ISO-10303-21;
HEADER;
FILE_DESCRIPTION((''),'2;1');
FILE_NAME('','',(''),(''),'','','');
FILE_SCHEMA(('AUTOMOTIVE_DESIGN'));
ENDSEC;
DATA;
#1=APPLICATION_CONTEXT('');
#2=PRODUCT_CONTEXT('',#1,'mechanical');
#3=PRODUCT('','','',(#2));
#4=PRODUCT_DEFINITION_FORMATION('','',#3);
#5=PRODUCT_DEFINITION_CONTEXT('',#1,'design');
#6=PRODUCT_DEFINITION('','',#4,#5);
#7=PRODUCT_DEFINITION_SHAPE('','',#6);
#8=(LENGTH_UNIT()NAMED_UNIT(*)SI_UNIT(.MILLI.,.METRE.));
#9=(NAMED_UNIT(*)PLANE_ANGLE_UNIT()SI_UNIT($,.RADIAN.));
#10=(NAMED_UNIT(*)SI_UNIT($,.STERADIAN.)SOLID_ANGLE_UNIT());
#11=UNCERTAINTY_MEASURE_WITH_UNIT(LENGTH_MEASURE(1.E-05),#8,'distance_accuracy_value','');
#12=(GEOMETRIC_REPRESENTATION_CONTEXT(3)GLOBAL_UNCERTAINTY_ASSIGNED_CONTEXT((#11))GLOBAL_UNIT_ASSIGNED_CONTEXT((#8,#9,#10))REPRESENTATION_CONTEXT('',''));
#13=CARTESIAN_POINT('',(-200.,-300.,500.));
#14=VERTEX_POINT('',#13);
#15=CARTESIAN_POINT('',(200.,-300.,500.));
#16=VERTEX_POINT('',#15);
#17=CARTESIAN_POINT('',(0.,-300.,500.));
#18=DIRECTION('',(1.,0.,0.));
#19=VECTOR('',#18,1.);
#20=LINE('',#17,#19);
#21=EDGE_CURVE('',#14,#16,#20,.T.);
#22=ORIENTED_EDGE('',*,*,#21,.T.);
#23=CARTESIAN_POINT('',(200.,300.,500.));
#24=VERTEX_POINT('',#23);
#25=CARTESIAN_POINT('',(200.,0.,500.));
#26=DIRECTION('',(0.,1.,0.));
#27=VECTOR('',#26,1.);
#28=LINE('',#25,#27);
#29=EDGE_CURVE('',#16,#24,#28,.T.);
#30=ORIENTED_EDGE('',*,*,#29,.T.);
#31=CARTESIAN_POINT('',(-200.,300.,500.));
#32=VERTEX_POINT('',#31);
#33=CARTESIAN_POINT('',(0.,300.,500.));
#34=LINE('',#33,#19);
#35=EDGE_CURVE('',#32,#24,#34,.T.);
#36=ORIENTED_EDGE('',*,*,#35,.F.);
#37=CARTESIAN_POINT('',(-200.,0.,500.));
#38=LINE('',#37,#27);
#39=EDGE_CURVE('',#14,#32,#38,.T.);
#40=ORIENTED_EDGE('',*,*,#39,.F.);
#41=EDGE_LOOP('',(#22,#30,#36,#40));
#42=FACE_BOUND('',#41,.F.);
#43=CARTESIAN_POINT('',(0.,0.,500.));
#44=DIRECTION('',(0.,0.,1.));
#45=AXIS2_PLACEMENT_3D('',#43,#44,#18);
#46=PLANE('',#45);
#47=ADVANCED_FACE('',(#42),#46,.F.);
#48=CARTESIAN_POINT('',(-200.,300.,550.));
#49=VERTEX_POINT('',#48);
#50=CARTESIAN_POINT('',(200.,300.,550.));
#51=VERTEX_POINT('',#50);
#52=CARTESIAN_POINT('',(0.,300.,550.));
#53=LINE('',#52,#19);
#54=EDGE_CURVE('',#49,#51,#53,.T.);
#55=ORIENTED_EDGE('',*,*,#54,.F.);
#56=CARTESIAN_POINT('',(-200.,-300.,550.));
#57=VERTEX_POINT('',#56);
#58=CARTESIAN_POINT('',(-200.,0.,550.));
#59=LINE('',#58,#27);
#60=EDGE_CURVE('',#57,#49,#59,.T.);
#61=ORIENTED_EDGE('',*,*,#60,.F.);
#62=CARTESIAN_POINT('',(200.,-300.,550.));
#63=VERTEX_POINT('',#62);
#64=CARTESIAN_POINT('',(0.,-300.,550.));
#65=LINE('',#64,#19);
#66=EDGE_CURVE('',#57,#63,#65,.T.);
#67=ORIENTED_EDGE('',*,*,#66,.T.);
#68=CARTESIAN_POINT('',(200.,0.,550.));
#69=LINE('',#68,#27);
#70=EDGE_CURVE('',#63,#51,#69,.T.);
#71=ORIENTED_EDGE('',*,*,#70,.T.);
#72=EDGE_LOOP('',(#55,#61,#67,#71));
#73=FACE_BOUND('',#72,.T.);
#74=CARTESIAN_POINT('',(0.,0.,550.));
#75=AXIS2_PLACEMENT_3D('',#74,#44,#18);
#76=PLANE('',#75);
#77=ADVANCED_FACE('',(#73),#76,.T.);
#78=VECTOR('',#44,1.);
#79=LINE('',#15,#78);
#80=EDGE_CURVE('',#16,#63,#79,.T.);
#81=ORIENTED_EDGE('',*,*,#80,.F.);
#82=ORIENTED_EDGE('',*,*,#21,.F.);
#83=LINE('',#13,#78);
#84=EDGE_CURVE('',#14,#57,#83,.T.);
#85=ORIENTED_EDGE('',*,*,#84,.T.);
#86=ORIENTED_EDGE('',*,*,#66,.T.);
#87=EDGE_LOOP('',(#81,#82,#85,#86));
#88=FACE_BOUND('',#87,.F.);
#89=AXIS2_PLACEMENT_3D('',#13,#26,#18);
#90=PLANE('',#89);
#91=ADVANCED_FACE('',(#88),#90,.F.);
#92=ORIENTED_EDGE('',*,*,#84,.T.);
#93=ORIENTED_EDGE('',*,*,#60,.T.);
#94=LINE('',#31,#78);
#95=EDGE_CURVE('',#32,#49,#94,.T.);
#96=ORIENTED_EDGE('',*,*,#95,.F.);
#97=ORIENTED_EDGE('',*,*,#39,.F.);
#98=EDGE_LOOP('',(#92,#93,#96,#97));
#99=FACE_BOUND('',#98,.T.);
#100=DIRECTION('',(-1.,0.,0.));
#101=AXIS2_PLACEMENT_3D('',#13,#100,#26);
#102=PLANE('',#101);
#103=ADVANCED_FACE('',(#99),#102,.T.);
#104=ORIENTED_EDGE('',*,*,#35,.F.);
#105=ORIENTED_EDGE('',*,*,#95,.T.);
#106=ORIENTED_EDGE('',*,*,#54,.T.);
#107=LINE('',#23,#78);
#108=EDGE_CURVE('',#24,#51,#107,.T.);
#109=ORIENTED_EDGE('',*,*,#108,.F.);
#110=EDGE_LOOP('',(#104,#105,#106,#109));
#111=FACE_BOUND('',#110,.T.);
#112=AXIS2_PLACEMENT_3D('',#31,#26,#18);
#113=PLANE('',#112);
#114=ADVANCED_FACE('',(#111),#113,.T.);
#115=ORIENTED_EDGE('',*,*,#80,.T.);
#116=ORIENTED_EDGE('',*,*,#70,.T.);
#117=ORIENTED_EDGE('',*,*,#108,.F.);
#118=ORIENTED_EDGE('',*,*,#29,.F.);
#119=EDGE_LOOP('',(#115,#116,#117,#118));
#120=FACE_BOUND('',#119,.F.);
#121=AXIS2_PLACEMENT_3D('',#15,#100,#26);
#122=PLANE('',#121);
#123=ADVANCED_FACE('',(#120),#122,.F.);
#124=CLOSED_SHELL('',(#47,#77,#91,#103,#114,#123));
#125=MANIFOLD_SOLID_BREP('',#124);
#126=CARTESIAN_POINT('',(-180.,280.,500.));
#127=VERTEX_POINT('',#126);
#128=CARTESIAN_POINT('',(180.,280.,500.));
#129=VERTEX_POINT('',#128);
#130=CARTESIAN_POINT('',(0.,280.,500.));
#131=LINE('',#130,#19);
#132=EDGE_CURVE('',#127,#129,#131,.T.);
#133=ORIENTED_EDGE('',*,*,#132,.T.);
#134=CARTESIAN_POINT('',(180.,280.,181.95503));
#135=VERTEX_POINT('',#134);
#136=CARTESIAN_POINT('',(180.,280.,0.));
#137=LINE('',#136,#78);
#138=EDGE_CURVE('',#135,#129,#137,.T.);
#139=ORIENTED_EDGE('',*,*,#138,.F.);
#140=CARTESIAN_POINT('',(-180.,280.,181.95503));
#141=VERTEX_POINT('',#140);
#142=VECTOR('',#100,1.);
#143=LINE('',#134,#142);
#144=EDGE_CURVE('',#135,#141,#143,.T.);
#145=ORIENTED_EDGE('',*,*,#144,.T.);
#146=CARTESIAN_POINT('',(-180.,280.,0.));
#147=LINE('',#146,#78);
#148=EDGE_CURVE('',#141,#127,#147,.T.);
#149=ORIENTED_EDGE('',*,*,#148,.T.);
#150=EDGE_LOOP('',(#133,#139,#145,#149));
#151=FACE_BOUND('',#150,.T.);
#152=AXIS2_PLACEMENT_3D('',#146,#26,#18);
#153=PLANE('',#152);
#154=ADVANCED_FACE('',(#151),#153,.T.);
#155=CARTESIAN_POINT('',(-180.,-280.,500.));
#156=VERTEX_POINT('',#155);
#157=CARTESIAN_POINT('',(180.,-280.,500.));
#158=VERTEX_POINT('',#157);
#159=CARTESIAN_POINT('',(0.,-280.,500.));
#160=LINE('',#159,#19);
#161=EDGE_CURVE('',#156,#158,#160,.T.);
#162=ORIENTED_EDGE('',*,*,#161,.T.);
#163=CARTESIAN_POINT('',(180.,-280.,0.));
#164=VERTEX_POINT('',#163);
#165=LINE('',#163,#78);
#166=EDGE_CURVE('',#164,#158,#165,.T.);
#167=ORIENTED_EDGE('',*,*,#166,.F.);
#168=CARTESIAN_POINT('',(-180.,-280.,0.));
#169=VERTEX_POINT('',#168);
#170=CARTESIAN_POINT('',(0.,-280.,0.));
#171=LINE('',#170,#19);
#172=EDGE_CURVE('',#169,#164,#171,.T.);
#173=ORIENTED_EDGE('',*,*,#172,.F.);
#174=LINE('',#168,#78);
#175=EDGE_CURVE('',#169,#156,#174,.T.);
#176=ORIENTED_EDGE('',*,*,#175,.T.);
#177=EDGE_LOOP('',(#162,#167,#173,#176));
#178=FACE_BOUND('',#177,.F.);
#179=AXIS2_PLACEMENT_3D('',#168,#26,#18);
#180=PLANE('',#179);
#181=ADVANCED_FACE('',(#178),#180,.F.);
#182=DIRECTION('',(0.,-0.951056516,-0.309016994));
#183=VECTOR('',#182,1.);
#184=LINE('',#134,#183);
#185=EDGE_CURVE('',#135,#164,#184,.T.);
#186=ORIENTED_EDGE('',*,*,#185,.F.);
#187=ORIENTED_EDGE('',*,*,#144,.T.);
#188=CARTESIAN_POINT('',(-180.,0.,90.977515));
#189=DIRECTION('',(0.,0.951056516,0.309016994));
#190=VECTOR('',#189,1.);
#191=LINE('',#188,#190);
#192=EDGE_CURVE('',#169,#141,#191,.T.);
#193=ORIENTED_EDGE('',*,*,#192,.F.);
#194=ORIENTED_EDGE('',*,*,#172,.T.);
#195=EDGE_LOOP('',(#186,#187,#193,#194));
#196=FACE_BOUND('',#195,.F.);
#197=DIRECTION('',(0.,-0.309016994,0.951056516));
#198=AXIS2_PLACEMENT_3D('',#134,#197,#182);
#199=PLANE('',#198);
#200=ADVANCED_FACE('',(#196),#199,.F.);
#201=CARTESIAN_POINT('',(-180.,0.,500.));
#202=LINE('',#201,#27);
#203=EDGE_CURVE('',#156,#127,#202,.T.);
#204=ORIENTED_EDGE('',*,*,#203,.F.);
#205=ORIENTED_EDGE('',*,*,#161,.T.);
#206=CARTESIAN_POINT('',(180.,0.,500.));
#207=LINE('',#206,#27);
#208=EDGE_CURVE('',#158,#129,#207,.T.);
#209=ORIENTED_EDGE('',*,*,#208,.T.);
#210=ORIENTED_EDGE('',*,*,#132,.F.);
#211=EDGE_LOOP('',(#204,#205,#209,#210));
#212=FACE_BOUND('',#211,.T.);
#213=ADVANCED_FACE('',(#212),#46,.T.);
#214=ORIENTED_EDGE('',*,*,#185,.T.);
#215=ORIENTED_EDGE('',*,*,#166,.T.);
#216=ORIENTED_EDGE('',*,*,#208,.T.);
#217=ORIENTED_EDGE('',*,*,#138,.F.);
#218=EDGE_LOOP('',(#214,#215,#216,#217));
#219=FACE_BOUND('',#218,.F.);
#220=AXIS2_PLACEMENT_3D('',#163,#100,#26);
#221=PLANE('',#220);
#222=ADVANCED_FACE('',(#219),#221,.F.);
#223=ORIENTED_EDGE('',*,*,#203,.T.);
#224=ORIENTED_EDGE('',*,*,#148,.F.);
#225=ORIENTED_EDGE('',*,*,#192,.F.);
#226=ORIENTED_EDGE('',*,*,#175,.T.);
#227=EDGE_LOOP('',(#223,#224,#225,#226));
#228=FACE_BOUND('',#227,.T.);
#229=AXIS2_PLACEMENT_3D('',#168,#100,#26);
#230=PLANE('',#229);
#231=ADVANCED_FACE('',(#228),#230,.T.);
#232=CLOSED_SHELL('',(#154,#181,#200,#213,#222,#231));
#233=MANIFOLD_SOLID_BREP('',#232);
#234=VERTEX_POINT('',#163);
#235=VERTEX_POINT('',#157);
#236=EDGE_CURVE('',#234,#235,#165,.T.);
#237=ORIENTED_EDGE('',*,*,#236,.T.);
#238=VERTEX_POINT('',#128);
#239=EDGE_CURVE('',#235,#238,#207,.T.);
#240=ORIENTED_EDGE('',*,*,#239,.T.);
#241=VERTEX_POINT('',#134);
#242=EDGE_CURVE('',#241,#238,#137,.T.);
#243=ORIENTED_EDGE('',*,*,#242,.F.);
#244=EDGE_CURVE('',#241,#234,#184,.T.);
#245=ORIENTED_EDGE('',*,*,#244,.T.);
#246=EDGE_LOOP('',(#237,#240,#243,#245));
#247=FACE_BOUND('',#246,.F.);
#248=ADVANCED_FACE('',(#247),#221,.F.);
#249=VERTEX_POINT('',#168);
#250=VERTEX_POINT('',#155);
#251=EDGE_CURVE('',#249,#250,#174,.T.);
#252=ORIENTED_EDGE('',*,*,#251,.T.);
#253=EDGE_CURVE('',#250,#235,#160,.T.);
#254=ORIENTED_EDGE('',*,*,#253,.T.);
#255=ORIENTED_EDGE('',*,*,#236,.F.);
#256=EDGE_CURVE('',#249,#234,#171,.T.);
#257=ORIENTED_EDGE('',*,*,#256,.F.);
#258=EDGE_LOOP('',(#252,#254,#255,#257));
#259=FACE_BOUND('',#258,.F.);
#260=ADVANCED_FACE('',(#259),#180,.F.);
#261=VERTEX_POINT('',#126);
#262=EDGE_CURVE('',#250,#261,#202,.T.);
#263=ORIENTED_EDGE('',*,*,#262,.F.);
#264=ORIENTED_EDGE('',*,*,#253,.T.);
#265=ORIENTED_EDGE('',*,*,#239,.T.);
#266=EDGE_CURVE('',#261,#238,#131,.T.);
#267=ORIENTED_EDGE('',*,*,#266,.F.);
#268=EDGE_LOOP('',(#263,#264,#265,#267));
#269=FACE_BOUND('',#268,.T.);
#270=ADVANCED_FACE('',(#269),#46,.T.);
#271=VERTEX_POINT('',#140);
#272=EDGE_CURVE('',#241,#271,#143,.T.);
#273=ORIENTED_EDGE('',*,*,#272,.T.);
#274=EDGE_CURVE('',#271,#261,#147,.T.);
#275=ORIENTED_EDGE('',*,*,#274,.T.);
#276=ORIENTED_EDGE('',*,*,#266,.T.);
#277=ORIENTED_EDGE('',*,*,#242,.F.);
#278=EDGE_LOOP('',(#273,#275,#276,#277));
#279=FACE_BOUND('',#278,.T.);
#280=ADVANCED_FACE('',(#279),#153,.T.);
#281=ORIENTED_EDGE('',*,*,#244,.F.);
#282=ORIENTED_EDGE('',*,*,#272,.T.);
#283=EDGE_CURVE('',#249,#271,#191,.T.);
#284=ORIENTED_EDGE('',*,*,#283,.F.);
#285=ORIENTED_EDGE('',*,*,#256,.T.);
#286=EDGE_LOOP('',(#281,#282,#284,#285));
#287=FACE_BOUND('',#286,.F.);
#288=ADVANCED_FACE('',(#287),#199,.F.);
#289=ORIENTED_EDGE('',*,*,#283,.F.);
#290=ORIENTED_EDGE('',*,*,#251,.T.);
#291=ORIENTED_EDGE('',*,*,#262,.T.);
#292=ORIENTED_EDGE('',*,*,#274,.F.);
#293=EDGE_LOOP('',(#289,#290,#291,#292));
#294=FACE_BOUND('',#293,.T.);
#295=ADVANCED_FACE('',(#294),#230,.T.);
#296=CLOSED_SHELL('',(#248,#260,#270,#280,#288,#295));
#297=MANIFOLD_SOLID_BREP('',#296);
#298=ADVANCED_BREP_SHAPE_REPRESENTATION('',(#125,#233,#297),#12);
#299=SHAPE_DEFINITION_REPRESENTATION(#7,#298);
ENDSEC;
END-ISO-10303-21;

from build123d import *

# Parameters (mm, degrees)
F0_W     = 360
F0_H     = 560
F2_DEPTH = 500
F1_W     = 360
F1_H     = 560
F3_W     = 400
F3_H     = 600
F4_DEPTH = 50
F6_DEPTH = 800


with BuildPart() as f2:
    # F0 (on Top) → F2 (new body)
    with BuildSketch(Plane.XY):
        Rectangle(F0_W, F0_H)
    extrude(amount=F2_DEPTH)


with BuildPart() as f2b:
    # F1 (on face) → F2, piece 2 (new body)
    with BuildSketch(Plane.XY):
        Rectangle(F1_W, F1_H)
    extrude(amount=F2_DEPTH)


with BuildPart() as f4:
    # F3 (on face) → F4 (new body)
    with BuildSketch(Plane.XY.offset(500)):
        Rectangle(F3_W, F3_H)
    extrude(amount=F4_DEPTH)


with BuildPart() as f6_tool:
    # F5 (on face) → F6 (new body)
    with BuildSketch(Plane.YZ.offset(180)):
        Polygon((280, 181.9550298904), (-280, 0), (280, 0), align=None)
    extrude(amount=-F6_DEPTH)


with BuildPart() as f2_1:
    add(f2.part)

    # F6: cut by f6_tool
    add(f6_tool.part, mode=Mode.SUBTRACT)


with BuildPart() as f2b_1:
    add(f2b.part)

    # F6: cut by f6_tool
    add(f6_tool.part, mode=Mode.SUBTRACT)


solid = Compound([f4.part, f2_1.part, f2b_1.part])
